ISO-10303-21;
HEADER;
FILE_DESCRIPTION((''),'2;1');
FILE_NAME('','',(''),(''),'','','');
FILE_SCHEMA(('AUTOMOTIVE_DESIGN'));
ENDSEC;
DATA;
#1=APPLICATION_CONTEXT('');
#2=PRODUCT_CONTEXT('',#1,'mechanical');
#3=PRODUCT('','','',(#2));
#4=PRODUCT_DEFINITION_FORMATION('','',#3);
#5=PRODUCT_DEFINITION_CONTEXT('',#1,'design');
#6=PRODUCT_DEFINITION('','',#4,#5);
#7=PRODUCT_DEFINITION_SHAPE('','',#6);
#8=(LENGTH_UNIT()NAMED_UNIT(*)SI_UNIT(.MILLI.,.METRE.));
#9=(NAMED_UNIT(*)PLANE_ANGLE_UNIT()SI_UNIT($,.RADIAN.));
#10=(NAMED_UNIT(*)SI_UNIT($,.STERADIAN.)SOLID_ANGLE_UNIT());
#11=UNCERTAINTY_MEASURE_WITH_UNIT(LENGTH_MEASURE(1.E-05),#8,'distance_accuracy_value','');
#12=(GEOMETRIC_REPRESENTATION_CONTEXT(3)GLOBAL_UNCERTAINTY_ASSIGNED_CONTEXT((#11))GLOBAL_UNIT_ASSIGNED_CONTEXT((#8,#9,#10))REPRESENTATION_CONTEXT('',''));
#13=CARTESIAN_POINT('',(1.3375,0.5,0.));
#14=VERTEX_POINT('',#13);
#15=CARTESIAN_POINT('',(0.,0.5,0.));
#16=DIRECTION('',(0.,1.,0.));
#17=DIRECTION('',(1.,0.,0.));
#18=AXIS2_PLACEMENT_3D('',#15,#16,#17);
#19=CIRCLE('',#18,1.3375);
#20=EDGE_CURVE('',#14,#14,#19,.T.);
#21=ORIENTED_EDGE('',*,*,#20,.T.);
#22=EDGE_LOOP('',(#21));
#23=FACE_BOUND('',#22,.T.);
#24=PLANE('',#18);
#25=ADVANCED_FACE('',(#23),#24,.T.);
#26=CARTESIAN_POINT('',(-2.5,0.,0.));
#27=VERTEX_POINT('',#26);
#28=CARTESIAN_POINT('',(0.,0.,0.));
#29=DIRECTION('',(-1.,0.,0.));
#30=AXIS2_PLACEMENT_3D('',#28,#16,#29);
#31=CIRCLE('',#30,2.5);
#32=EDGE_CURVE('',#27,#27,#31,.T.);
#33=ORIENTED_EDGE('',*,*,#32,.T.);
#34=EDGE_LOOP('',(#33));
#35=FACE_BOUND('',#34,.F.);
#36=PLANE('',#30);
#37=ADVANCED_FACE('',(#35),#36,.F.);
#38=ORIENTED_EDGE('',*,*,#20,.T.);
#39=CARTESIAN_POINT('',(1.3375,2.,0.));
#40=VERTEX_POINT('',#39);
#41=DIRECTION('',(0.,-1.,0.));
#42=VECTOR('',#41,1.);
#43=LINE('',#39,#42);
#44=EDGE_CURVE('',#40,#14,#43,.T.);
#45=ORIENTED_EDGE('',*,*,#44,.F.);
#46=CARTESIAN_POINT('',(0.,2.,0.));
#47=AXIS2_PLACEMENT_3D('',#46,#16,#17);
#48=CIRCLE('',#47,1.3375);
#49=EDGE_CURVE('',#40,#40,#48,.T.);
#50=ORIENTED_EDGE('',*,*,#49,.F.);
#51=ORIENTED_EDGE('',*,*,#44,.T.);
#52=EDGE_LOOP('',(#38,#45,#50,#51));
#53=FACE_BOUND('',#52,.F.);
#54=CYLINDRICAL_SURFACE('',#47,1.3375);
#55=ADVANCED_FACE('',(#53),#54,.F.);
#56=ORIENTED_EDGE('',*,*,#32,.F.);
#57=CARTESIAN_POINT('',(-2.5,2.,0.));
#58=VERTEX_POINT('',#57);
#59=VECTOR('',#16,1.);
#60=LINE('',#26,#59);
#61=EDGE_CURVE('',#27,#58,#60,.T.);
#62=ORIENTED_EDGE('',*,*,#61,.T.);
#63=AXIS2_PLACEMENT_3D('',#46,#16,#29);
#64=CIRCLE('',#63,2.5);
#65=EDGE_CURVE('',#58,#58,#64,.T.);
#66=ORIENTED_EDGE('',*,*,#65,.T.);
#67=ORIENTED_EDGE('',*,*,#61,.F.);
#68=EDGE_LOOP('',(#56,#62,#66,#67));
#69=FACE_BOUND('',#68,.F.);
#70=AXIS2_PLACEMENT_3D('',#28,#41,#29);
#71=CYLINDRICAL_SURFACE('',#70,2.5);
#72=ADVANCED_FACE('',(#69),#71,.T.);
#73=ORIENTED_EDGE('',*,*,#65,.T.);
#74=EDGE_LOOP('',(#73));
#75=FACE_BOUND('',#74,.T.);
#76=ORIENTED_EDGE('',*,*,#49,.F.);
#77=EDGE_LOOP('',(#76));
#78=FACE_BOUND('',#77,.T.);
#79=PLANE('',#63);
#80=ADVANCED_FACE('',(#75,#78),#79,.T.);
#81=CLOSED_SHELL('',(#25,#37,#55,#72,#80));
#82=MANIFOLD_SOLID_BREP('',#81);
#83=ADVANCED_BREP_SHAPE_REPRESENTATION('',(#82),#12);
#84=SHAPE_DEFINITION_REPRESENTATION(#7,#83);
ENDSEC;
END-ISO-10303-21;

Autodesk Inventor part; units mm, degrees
ref_plane "YZ Plane" through (0, 0, 0) normal (1, 0, 0) x (0, 1, 0)
ref_plane "XZ Plane" through (0, 0, 0) normal (0, 1, 0) x (-1, 0, 0)
ref_plane "XY Plane" through (0, 0, 0) normal (0, 0, 1) x (1, 0, 0)
sketch "Sketch1" plane through (0, 0, 0) normal (0, 1, 0) x (-1, 0, 0)
  circle A0 centre (0, 0) radius 2.5
  dimension "d0" = 5
extrude "Extrusion1" add sketch "Sketch1" along normal blind 2
sketch "Sketch2" plane through (0, 2, 0) normal (0, 1, 0) x (1, 0, 0)
  circle A0 centre (0, 0) radius 1.3375
  dimension "d3" = 2.675
extrude "Extrusion2" cut sketch "Sketch2" against normal blind 1.5
properties part number "head_2.675"
